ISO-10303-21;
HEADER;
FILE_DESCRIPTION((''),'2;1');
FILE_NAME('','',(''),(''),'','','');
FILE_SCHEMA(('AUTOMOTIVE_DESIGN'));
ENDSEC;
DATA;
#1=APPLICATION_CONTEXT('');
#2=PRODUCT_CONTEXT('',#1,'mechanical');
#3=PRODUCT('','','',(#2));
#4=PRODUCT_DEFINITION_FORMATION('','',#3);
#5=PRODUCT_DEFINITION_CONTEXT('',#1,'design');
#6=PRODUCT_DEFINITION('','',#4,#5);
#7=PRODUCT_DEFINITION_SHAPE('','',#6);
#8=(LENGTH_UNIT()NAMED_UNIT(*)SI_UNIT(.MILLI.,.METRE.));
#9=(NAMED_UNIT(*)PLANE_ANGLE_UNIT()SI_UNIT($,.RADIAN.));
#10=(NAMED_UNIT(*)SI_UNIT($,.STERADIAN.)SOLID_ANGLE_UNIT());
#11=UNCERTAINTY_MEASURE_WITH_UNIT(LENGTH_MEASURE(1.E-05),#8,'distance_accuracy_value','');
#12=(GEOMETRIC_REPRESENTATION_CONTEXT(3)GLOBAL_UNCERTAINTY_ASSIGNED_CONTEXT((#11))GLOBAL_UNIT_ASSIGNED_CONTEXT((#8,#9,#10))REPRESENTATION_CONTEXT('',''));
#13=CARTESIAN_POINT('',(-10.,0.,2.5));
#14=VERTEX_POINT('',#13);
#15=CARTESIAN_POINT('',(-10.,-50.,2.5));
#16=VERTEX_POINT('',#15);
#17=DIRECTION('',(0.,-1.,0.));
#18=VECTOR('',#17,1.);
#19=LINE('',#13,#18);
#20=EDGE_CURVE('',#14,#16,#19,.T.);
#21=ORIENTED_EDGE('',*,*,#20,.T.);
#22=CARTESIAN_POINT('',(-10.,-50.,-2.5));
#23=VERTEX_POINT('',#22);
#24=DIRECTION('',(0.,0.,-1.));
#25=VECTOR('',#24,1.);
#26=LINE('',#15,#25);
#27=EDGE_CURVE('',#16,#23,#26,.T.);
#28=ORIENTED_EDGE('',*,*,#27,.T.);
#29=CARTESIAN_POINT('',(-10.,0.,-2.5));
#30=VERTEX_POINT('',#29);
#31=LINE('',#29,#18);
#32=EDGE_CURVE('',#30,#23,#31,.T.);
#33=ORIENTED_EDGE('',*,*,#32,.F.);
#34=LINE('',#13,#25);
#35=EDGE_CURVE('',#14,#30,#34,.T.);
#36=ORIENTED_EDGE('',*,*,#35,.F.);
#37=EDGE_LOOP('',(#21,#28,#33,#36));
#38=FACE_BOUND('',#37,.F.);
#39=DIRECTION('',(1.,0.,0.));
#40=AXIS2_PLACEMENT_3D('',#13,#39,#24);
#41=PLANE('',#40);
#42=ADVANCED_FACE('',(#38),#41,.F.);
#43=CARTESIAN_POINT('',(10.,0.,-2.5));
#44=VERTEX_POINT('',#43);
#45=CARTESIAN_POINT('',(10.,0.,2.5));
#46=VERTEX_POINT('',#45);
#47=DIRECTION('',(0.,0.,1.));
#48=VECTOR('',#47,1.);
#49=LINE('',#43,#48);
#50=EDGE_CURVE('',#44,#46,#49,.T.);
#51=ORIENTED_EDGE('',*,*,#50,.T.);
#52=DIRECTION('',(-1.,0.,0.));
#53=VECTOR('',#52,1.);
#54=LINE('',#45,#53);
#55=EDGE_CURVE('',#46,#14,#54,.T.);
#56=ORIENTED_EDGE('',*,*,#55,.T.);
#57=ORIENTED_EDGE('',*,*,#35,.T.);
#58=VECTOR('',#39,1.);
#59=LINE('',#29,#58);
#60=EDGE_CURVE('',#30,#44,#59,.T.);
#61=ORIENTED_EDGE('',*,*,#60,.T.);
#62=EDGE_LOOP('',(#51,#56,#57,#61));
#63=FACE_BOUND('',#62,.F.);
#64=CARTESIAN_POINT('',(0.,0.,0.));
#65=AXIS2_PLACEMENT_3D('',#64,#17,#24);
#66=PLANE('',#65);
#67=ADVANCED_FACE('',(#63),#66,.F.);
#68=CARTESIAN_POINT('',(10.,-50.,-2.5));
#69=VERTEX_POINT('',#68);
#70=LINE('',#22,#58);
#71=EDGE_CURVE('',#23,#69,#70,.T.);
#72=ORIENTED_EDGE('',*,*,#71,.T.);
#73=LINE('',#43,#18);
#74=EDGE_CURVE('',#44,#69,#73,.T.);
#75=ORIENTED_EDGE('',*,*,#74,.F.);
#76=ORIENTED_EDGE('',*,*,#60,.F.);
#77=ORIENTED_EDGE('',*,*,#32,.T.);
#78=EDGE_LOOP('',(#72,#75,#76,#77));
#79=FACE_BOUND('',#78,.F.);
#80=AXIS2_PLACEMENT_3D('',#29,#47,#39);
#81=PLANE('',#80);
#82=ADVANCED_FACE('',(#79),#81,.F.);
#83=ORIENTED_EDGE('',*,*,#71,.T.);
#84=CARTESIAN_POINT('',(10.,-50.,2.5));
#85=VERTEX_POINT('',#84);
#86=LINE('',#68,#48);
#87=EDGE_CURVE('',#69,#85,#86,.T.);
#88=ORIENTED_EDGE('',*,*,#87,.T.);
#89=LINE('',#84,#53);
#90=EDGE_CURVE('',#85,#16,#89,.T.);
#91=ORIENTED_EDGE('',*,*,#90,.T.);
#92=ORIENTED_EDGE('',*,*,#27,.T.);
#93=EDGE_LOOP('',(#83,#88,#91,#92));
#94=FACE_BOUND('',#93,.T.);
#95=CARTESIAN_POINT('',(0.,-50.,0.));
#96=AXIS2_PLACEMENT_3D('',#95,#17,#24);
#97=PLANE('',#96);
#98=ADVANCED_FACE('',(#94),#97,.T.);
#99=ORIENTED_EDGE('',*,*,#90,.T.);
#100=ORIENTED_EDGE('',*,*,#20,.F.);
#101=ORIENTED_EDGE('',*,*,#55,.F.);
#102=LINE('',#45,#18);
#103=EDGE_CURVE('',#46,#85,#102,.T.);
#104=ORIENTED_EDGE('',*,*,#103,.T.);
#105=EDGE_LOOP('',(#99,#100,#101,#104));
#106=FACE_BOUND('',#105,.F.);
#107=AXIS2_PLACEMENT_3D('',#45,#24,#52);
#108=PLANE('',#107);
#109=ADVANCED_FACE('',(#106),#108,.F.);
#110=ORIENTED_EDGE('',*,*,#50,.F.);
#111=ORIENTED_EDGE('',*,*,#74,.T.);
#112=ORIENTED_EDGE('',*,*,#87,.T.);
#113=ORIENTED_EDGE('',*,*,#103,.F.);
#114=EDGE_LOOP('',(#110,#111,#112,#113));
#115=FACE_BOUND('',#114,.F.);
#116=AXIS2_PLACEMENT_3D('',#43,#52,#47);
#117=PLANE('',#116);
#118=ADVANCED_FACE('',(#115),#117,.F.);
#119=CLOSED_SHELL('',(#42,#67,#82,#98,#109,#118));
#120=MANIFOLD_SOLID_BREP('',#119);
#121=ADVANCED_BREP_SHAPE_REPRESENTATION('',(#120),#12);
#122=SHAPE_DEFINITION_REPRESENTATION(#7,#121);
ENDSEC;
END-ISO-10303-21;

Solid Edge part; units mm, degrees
sketch "Sketch1" plane through (0, 0, 0) normal (0, -1, 0) x (1, 0, 0)
  line L0 (-10, 2.5) -> (-10, -2.5)
  line L1 (-10, -2.5) -> (10, -2.5)
  line L2 (10, -2.5) -> (10, 2.5)
  line L3 (10, 2.5) -> (-10, 2.5)
extrude "Protrusion1" add sketch "Sketch1" along normal blind 50
